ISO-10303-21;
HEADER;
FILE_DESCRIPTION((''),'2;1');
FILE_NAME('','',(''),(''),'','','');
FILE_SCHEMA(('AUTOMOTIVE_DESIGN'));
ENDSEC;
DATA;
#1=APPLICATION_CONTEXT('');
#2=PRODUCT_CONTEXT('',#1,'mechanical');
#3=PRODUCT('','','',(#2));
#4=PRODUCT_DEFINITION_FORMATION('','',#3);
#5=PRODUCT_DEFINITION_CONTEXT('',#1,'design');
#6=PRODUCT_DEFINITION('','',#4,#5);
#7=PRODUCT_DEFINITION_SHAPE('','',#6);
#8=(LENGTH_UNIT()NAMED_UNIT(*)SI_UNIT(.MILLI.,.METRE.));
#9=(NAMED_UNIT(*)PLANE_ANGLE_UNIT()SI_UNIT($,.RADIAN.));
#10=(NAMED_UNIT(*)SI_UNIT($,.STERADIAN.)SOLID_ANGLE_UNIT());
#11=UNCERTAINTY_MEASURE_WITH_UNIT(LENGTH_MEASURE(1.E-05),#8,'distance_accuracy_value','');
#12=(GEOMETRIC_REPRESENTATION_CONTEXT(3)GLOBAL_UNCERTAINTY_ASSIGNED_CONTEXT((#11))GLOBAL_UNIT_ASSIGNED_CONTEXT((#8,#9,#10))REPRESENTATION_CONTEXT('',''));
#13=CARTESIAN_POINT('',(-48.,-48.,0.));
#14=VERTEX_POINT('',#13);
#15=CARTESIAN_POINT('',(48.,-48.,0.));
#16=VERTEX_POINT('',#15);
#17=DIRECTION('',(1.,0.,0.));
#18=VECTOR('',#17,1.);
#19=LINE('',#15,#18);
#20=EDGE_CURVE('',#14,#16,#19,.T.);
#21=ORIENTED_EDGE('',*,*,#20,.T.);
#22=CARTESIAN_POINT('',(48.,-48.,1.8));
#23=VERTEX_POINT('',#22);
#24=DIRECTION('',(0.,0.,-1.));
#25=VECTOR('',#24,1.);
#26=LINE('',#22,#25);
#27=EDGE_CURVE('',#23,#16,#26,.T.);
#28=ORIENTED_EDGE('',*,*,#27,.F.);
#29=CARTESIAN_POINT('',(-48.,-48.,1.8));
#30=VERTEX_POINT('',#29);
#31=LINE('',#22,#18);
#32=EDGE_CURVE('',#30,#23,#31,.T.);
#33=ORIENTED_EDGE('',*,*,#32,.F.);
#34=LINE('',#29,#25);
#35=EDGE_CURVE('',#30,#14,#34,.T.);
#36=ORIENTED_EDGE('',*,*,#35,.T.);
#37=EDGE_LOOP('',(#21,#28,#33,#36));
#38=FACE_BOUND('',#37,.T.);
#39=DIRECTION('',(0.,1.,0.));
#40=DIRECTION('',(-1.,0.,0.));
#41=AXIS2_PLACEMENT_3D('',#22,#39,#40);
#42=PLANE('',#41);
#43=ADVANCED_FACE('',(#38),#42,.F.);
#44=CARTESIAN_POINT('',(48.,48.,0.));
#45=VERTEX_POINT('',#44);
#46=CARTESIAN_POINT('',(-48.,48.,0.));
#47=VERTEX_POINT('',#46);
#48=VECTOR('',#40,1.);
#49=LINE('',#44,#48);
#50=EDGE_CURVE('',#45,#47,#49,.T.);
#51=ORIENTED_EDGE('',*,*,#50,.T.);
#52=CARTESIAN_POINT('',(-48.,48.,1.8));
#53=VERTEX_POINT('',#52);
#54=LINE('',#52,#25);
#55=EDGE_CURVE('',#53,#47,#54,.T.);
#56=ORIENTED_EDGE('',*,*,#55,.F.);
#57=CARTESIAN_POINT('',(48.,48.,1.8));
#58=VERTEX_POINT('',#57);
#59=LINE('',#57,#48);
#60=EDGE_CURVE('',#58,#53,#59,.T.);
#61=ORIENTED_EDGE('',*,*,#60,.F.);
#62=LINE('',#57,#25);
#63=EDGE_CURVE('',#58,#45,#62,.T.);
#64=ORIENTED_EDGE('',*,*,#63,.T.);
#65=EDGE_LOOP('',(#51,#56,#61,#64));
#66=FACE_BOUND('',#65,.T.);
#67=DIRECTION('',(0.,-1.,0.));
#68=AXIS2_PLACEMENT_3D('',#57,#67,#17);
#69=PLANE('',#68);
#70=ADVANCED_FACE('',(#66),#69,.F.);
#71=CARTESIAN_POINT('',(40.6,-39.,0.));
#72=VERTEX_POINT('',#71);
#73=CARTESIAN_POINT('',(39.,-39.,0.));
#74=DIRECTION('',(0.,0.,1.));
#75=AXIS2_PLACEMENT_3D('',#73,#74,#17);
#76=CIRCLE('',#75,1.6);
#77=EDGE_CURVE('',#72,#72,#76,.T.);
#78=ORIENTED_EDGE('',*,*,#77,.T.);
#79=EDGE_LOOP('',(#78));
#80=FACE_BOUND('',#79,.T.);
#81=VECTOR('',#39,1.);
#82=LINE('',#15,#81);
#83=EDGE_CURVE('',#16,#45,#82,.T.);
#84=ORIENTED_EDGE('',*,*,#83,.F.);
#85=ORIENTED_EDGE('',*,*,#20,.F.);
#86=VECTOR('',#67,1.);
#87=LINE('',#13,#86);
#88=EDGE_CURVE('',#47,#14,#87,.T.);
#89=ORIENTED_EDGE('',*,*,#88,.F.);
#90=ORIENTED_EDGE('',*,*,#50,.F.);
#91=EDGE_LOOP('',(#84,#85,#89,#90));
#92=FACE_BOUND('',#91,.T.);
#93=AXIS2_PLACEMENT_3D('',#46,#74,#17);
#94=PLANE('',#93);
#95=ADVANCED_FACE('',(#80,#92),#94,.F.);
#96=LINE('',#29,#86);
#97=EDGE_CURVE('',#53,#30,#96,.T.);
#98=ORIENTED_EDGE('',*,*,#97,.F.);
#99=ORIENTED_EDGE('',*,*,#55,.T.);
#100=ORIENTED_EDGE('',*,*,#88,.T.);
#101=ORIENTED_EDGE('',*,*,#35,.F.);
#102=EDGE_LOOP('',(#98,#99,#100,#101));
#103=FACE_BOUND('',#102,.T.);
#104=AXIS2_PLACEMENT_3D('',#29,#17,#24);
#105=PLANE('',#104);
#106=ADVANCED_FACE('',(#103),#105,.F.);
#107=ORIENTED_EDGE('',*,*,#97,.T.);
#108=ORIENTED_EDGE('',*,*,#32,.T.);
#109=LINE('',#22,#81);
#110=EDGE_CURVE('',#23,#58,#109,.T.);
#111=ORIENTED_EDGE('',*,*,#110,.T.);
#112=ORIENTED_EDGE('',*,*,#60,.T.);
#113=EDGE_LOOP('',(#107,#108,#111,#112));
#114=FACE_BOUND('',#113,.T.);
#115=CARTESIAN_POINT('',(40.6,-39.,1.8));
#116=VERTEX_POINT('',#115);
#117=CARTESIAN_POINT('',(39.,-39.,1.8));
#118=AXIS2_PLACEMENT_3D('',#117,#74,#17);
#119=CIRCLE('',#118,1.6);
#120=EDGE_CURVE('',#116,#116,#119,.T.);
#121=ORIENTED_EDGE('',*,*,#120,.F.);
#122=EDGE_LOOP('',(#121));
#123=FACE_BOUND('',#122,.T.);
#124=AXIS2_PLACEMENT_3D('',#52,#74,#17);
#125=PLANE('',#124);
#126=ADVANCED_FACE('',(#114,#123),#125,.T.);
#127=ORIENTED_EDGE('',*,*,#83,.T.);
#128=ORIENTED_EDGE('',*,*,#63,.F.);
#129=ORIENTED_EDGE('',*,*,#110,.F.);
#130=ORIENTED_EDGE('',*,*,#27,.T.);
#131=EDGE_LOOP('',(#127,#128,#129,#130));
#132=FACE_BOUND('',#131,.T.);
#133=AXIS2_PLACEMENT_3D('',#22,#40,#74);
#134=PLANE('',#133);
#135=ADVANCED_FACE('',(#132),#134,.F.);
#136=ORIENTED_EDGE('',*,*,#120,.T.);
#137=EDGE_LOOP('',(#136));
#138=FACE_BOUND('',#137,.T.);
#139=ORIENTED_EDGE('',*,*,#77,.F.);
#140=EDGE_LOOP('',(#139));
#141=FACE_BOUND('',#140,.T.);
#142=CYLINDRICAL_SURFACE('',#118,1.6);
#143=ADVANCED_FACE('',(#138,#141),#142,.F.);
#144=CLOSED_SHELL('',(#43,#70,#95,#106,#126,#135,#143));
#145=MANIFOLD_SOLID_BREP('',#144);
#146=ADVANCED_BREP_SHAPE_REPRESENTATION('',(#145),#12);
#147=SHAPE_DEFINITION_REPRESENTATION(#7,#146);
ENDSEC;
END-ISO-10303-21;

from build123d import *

# Parameters (mm, degrees)
SKETCH1_W                  = 96
SKETCH1_H                  = 96
BOSS_EXTRUDE1_DEPTH        = 1.8
F_3_2_3_2_DIAMETER_HOLE1_D = 3.2


with BuildPart() as part:
    # Sketch1 → Boss-Extrude1 (new body)
    with BuildSketch(Plane.XY):
        Rectangle(SKETCH1_W, SKETCH1_H)
    extrude(amount=BOSS_EXTRUDE1_DEPTH)

    # Ø3.2 (3.2) Diameter Hole1 (through all)
    with Locations(Plane.XY.offset(1.8)):
        with Locations((39, -39)):
            Hole(F_3_2_3_2_DIAMETER_HOLE1_D / 2)


solid = part.part
